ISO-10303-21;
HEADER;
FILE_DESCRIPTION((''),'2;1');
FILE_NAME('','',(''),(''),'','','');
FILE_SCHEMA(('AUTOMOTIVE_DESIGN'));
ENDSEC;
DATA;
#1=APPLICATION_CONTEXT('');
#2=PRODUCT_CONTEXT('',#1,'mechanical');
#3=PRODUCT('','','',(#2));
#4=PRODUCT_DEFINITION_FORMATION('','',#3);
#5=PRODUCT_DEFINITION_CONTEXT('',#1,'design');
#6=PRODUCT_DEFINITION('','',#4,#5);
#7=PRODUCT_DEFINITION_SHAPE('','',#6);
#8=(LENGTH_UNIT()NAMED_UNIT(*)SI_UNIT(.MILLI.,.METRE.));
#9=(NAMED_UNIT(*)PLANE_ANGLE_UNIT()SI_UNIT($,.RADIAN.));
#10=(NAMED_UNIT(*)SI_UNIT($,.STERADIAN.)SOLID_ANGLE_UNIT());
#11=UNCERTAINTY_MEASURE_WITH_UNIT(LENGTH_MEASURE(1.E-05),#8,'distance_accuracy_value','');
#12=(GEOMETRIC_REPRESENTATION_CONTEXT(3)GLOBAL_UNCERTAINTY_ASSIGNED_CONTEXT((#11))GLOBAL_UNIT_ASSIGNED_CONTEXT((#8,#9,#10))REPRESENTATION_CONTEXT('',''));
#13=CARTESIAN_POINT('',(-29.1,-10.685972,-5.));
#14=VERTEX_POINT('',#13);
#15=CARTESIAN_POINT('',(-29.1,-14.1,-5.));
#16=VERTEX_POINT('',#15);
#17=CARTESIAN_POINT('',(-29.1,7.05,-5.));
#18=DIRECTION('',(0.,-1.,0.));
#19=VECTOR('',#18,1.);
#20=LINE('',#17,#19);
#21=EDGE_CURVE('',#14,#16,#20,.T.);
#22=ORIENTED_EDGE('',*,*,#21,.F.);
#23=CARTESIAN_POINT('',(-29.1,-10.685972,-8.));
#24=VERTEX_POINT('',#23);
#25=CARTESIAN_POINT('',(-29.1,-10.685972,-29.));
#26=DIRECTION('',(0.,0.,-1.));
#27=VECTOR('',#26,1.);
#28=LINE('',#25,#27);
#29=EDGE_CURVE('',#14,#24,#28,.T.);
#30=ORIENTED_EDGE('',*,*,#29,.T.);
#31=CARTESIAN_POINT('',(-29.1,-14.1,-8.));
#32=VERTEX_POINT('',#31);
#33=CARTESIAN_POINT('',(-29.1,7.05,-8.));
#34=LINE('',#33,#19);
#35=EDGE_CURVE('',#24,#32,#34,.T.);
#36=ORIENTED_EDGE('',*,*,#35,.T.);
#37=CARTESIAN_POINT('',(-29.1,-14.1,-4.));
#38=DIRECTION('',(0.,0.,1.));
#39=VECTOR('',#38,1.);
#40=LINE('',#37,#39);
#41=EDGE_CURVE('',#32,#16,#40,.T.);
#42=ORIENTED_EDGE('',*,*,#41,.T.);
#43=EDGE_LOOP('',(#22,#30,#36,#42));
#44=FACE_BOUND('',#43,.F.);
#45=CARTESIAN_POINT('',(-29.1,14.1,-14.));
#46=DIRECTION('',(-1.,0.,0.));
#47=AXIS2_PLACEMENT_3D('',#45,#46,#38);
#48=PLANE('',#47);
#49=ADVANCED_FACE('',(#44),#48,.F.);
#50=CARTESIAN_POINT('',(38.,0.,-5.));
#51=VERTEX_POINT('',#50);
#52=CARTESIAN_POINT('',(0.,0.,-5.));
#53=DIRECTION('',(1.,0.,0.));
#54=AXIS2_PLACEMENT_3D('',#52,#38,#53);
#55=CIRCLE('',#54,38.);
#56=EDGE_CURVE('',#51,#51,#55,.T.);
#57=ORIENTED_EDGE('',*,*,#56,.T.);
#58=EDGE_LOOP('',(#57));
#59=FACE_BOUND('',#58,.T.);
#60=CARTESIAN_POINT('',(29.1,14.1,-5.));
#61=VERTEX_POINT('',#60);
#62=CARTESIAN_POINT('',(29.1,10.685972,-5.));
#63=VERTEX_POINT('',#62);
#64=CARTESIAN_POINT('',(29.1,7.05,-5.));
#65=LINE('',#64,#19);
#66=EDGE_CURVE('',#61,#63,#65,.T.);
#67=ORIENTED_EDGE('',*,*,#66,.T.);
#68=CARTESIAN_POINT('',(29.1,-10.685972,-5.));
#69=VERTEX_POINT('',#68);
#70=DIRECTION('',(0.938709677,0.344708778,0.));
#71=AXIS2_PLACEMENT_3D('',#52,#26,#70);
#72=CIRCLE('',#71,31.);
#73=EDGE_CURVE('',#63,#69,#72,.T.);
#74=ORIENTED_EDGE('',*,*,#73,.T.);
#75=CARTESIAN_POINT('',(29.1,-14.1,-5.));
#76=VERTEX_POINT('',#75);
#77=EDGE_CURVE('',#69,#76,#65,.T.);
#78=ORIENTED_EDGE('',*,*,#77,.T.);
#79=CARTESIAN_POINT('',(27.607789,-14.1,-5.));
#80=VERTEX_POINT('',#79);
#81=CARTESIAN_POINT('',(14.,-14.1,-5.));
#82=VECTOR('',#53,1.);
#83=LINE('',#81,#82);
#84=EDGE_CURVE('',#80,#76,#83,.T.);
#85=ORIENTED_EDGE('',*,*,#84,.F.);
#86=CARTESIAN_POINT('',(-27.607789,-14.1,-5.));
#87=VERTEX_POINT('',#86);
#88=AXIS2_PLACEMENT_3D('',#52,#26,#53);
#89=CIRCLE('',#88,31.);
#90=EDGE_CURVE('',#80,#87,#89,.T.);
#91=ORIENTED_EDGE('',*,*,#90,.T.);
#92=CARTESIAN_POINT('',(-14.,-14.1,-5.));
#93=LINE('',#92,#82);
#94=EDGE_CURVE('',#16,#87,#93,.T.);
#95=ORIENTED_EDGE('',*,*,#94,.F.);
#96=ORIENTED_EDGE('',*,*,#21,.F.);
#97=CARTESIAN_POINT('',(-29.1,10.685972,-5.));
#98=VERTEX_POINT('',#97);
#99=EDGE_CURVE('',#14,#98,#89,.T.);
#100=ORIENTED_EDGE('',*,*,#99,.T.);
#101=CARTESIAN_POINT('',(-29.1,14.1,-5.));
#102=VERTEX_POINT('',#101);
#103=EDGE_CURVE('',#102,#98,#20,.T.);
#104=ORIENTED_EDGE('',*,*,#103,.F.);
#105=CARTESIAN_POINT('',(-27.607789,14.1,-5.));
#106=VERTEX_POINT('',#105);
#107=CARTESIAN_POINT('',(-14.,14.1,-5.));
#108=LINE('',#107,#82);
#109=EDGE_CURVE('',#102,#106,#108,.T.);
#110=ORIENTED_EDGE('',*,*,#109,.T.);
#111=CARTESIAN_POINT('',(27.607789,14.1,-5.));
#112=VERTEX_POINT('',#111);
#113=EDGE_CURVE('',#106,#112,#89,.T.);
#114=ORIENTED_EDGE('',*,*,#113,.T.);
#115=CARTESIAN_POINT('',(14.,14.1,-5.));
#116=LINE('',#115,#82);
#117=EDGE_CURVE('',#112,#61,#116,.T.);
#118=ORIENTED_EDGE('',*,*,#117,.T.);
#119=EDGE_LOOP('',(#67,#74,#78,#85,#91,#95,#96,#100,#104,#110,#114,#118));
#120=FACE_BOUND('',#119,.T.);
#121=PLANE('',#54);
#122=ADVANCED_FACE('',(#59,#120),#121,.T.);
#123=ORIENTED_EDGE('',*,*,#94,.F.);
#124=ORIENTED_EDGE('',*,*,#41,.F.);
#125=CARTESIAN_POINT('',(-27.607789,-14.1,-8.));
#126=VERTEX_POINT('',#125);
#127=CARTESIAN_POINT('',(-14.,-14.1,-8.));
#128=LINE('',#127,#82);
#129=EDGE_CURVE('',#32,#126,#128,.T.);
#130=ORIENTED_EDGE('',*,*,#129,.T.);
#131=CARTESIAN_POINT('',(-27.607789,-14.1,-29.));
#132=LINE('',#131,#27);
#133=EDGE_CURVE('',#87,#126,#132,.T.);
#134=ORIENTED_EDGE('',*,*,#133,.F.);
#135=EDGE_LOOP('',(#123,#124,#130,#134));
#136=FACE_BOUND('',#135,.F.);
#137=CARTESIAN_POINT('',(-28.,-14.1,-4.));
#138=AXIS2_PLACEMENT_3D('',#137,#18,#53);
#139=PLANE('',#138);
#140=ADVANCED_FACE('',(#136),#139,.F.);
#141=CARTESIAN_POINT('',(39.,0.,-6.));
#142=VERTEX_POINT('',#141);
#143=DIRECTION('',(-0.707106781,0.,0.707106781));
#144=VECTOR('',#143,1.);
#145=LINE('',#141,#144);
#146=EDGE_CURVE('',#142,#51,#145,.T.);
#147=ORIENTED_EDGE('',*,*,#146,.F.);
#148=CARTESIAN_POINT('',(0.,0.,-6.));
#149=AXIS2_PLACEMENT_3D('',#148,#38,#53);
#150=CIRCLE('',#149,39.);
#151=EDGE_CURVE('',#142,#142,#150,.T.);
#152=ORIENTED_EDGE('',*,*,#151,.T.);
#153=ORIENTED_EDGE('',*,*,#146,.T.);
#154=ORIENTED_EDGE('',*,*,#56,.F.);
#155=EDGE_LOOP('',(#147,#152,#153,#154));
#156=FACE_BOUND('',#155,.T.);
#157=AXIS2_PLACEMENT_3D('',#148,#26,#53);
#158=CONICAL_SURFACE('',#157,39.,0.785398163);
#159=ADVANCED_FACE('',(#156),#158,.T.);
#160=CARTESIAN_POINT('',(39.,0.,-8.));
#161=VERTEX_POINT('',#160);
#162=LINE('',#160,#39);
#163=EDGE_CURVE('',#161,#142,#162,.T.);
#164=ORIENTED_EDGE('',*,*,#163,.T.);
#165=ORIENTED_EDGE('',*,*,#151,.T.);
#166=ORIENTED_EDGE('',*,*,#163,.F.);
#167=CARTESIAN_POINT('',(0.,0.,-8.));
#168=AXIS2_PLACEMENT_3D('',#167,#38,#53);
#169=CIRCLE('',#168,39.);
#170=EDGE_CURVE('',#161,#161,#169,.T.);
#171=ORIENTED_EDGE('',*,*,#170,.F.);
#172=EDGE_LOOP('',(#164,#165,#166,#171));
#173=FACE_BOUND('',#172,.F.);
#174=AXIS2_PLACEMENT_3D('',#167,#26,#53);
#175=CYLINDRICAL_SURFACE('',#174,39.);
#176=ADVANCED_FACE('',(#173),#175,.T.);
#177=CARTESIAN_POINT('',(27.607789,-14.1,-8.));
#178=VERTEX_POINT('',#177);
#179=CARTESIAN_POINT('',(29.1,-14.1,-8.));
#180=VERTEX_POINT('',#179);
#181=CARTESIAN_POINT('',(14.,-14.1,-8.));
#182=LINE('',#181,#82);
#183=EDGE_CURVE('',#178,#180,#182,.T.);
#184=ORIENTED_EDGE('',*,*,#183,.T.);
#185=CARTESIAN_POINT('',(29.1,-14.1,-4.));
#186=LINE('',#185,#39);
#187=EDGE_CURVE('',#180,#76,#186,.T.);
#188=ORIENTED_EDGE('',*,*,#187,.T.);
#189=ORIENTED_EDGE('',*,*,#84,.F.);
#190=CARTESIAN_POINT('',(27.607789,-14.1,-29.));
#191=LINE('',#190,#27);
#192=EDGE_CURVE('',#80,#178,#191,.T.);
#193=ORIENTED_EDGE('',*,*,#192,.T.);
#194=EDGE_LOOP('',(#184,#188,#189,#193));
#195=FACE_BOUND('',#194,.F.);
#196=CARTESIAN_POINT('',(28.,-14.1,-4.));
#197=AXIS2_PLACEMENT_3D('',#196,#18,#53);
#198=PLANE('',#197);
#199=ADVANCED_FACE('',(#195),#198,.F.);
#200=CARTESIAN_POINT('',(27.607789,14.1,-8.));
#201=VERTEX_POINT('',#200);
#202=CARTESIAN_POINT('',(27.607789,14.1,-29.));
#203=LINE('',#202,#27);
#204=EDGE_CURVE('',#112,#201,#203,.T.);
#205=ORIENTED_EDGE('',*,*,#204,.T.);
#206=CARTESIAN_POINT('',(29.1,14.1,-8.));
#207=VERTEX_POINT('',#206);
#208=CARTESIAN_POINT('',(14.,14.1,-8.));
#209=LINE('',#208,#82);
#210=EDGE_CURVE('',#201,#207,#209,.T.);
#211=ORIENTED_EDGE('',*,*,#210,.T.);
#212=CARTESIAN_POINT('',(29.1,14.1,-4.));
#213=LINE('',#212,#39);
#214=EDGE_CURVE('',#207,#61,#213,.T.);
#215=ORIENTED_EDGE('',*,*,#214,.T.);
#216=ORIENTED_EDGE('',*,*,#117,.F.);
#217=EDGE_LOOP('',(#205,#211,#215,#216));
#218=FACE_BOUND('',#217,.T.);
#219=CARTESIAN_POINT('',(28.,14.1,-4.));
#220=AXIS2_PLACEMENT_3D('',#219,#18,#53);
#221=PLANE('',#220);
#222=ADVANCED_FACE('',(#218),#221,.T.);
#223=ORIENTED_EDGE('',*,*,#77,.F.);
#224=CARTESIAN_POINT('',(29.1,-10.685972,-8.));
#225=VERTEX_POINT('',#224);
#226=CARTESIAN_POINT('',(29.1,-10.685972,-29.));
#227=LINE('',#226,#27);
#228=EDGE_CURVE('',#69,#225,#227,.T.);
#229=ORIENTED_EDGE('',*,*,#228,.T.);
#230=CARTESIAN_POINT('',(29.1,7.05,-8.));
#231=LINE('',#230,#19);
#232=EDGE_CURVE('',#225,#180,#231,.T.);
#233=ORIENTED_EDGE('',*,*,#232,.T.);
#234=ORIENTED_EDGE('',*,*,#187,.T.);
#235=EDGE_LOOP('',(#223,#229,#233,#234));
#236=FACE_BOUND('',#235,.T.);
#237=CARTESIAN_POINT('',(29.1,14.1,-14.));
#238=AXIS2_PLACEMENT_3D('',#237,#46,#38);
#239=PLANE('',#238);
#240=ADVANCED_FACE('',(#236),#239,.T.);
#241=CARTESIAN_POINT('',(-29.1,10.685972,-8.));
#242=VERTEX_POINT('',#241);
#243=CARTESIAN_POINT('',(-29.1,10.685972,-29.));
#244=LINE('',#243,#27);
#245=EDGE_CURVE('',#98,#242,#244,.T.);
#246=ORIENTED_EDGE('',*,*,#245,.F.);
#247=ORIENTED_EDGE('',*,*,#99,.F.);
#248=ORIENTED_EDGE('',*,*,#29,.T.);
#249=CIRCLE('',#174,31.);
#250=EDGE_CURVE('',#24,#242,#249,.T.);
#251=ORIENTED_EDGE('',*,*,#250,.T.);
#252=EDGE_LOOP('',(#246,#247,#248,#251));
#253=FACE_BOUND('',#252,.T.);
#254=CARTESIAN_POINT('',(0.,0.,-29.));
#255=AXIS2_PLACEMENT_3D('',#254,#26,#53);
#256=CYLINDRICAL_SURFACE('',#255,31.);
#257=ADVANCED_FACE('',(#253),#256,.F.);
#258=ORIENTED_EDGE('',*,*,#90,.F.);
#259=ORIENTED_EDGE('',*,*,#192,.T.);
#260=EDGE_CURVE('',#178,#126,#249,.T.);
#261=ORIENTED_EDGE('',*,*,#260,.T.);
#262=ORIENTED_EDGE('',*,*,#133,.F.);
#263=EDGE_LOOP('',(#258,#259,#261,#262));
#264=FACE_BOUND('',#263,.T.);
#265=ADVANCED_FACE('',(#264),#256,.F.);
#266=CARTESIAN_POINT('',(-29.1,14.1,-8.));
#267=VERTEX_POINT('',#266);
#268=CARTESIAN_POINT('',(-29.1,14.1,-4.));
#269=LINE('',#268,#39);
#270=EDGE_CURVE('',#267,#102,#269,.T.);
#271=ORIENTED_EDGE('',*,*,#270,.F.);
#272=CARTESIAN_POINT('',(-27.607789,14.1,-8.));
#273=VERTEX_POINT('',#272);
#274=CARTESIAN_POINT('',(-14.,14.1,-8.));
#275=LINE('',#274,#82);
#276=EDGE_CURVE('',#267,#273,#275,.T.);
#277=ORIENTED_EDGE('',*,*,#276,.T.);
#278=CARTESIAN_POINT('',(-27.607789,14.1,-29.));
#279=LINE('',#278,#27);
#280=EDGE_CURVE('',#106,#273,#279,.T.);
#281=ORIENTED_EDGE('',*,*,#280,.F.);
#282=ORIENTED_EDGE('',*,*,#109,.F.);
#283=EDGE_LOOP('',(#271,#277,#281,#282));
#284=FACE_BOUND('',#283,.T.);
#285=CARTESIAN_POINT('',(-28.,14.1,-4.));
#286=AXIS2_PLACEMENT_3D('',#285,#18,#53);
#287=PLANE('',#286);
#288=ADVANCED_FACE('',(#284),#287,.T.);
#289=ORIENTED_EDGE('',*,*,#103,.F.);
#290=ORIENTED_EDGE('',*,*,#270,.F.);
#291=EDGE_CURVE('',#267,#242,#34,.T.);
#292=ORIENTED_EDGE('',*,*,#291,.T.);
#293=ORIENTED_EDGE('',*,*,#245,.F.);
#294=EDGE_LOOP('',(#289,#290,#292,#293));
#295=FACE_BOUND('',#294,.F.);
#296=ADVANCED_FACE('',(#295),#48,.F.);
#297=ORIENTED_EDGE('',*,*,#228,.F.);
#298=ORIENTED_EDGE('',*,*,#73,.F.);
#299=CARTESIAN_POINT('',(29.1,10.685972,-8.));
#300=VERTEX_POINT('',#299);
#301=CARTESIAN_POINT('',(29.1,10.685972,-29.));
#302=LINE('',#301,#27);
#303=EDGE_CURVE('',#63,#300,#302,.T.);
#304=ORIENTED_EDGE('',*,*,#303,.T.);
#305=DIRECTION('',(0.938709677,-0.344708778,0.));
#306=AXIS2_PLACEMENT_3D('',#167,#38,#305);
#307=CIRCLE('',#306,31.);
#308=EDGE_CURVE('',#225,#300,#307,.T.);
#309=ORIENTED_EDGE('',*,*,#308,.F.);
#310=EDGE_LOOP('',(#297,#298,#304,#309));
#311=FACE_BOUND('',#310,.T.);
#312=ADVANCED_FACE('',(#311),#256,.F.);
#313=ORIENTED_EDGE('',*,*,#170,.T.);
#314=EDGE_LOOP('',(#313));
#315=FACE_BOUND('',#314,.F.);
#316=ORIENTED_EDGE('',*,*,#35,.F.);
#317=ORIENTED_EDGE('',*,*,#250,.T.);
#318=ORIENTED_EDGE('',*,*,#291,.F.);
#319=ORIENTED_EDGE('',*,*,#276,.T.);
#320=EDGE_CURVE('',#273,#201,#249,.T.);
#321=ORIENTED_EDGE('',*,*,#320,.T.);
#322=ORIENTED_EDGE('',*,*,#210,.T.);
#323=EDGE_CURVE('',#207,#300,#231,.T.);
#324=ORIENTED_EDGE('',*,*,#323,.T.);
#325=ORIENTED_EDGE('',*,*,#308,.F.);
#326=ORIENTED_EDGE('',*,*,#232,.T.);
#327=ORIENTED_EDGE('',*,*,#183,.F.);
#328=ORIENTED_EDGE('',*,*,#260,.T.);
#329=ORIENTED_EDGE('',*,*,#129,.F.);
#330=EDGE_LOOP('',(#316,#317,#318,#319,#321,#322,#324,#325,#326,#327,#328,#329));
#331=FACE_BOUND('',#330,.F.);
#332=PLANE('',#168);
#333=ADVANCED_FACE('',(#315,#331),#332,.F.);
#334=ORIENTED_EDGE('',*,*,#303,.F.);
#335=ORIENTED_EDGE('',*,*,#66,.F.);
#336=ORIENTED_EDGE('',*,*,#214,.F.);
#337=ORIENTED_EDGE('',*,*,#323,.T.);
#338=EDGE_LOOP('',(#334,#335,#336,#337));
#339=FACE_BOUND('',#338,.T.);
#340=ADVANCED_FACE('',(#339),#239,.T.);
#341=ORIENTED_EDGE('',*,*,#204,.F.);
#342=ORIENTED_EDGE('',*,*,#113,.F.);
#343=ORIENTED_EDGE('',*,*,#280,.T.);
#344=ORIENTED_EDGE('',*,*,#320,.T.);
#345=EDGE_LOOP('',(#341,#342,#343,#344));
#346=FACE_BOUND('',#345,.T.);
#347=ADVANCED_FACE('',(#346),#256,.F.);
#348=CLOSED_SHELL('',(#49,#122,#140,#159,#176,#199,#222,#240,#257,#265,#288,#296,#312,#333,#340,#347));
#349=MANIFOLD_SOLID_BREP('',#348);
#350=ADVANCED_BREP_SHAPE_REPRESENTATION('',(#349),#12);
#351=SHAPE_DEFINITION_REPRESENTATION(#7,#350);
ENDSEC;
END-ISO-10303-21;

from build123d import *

# Parameters (mm, degrees)
BOX878_W                     = 2.2
BOX878_H                     = 20
BOX878_DEPTH                 = 28.2
BOX877_W                     = 2.2
BOX877_H                     = 20
BOX877_DEPTH                 = 28.2
COMPOUND1139_PLACEMENT_ANGLE = 90
CYLINDER2555_R               = 31
CYLINDER2555_DEPTH           = 34
CYLINDER2556_R               = 39
CYLINDER2556_DEPTH           = 3
CHAMFER090_SIZE              = 1


with BuildPart() as krychle877:
    # Box878 → Box878 (new body)
    with BuildSketch(Plane(origin=(43.9, -111, -4.1), x_dir=(1, 0, 0), z_dir=(0, 0, 1))):
        with Locations((1.1, 10)):
            Rectangle(BOX878_W, BOX878_H)
    extrude(amount=BOX878_DEPTH)


with BuildPart() as compound1139:
    # Box877 → Box877 (new body)
    with BuildSketch(Plane(origin=(-12.1, -111, -4.1), x_dir=(1, 0, 0), z_dir=(0, 0, 1))):
        with Locations((1.1, 10)):
            Rectangle(BOX877_W, BOX877_H)
    extrude(amount=BOX877_DEPTH)

    # Compound1139: union Krychle877
    add(krychle877.part)


with BuildPart() as compound1139_1:
    # Compound1139 placement: moved
    add(compound1139.part.moved(Location((-17, 10, 97))).rotate(Axis((-17, 10, 97), (1, 0, 0)), COMPOUND1139_PLACEMENT_ANGLE))


with BuildPart() as v_lec2525:
    # Cylinder2555 → Cylinder2555 (new body)
    with BuildSketch(Plane.XY.offset(-21)):
        Circle(CYLINDER2555_R)
    extrude(amount=CYLINDER2555_DEPTH)


with BuildPart() as cut965:
    # Cylinder2556 → Cylinder2556 (new body)
    with BuildSketch(Plane.XY):
        Circle(CYLINDER2556_R)
    extrude(amount=CYLINDER2556_DEPTH)

    # Cut948: cut Válec2525
    add(v_lec2525.part, mode=Mode.SUBTRACT)

    # Chamfer090
    chamfer090_edges = [cut965.edges().sort_by_distance(p)[0] for p in [
        (-39, 0, 3),
    ]]
    chamfer(chamfer090_edges, length=CHAMFER090_SIZE)


with BuildPart() as cut965_1:
    # Chamfer090 placement: moved
    add(cut965.part.moved(Location((0, 0, -8))))

    # Cut965: cut Compound1139
    add(compound1139_1.part, mode=Mode.SUBTRACT)


solid = cut965_1.part
